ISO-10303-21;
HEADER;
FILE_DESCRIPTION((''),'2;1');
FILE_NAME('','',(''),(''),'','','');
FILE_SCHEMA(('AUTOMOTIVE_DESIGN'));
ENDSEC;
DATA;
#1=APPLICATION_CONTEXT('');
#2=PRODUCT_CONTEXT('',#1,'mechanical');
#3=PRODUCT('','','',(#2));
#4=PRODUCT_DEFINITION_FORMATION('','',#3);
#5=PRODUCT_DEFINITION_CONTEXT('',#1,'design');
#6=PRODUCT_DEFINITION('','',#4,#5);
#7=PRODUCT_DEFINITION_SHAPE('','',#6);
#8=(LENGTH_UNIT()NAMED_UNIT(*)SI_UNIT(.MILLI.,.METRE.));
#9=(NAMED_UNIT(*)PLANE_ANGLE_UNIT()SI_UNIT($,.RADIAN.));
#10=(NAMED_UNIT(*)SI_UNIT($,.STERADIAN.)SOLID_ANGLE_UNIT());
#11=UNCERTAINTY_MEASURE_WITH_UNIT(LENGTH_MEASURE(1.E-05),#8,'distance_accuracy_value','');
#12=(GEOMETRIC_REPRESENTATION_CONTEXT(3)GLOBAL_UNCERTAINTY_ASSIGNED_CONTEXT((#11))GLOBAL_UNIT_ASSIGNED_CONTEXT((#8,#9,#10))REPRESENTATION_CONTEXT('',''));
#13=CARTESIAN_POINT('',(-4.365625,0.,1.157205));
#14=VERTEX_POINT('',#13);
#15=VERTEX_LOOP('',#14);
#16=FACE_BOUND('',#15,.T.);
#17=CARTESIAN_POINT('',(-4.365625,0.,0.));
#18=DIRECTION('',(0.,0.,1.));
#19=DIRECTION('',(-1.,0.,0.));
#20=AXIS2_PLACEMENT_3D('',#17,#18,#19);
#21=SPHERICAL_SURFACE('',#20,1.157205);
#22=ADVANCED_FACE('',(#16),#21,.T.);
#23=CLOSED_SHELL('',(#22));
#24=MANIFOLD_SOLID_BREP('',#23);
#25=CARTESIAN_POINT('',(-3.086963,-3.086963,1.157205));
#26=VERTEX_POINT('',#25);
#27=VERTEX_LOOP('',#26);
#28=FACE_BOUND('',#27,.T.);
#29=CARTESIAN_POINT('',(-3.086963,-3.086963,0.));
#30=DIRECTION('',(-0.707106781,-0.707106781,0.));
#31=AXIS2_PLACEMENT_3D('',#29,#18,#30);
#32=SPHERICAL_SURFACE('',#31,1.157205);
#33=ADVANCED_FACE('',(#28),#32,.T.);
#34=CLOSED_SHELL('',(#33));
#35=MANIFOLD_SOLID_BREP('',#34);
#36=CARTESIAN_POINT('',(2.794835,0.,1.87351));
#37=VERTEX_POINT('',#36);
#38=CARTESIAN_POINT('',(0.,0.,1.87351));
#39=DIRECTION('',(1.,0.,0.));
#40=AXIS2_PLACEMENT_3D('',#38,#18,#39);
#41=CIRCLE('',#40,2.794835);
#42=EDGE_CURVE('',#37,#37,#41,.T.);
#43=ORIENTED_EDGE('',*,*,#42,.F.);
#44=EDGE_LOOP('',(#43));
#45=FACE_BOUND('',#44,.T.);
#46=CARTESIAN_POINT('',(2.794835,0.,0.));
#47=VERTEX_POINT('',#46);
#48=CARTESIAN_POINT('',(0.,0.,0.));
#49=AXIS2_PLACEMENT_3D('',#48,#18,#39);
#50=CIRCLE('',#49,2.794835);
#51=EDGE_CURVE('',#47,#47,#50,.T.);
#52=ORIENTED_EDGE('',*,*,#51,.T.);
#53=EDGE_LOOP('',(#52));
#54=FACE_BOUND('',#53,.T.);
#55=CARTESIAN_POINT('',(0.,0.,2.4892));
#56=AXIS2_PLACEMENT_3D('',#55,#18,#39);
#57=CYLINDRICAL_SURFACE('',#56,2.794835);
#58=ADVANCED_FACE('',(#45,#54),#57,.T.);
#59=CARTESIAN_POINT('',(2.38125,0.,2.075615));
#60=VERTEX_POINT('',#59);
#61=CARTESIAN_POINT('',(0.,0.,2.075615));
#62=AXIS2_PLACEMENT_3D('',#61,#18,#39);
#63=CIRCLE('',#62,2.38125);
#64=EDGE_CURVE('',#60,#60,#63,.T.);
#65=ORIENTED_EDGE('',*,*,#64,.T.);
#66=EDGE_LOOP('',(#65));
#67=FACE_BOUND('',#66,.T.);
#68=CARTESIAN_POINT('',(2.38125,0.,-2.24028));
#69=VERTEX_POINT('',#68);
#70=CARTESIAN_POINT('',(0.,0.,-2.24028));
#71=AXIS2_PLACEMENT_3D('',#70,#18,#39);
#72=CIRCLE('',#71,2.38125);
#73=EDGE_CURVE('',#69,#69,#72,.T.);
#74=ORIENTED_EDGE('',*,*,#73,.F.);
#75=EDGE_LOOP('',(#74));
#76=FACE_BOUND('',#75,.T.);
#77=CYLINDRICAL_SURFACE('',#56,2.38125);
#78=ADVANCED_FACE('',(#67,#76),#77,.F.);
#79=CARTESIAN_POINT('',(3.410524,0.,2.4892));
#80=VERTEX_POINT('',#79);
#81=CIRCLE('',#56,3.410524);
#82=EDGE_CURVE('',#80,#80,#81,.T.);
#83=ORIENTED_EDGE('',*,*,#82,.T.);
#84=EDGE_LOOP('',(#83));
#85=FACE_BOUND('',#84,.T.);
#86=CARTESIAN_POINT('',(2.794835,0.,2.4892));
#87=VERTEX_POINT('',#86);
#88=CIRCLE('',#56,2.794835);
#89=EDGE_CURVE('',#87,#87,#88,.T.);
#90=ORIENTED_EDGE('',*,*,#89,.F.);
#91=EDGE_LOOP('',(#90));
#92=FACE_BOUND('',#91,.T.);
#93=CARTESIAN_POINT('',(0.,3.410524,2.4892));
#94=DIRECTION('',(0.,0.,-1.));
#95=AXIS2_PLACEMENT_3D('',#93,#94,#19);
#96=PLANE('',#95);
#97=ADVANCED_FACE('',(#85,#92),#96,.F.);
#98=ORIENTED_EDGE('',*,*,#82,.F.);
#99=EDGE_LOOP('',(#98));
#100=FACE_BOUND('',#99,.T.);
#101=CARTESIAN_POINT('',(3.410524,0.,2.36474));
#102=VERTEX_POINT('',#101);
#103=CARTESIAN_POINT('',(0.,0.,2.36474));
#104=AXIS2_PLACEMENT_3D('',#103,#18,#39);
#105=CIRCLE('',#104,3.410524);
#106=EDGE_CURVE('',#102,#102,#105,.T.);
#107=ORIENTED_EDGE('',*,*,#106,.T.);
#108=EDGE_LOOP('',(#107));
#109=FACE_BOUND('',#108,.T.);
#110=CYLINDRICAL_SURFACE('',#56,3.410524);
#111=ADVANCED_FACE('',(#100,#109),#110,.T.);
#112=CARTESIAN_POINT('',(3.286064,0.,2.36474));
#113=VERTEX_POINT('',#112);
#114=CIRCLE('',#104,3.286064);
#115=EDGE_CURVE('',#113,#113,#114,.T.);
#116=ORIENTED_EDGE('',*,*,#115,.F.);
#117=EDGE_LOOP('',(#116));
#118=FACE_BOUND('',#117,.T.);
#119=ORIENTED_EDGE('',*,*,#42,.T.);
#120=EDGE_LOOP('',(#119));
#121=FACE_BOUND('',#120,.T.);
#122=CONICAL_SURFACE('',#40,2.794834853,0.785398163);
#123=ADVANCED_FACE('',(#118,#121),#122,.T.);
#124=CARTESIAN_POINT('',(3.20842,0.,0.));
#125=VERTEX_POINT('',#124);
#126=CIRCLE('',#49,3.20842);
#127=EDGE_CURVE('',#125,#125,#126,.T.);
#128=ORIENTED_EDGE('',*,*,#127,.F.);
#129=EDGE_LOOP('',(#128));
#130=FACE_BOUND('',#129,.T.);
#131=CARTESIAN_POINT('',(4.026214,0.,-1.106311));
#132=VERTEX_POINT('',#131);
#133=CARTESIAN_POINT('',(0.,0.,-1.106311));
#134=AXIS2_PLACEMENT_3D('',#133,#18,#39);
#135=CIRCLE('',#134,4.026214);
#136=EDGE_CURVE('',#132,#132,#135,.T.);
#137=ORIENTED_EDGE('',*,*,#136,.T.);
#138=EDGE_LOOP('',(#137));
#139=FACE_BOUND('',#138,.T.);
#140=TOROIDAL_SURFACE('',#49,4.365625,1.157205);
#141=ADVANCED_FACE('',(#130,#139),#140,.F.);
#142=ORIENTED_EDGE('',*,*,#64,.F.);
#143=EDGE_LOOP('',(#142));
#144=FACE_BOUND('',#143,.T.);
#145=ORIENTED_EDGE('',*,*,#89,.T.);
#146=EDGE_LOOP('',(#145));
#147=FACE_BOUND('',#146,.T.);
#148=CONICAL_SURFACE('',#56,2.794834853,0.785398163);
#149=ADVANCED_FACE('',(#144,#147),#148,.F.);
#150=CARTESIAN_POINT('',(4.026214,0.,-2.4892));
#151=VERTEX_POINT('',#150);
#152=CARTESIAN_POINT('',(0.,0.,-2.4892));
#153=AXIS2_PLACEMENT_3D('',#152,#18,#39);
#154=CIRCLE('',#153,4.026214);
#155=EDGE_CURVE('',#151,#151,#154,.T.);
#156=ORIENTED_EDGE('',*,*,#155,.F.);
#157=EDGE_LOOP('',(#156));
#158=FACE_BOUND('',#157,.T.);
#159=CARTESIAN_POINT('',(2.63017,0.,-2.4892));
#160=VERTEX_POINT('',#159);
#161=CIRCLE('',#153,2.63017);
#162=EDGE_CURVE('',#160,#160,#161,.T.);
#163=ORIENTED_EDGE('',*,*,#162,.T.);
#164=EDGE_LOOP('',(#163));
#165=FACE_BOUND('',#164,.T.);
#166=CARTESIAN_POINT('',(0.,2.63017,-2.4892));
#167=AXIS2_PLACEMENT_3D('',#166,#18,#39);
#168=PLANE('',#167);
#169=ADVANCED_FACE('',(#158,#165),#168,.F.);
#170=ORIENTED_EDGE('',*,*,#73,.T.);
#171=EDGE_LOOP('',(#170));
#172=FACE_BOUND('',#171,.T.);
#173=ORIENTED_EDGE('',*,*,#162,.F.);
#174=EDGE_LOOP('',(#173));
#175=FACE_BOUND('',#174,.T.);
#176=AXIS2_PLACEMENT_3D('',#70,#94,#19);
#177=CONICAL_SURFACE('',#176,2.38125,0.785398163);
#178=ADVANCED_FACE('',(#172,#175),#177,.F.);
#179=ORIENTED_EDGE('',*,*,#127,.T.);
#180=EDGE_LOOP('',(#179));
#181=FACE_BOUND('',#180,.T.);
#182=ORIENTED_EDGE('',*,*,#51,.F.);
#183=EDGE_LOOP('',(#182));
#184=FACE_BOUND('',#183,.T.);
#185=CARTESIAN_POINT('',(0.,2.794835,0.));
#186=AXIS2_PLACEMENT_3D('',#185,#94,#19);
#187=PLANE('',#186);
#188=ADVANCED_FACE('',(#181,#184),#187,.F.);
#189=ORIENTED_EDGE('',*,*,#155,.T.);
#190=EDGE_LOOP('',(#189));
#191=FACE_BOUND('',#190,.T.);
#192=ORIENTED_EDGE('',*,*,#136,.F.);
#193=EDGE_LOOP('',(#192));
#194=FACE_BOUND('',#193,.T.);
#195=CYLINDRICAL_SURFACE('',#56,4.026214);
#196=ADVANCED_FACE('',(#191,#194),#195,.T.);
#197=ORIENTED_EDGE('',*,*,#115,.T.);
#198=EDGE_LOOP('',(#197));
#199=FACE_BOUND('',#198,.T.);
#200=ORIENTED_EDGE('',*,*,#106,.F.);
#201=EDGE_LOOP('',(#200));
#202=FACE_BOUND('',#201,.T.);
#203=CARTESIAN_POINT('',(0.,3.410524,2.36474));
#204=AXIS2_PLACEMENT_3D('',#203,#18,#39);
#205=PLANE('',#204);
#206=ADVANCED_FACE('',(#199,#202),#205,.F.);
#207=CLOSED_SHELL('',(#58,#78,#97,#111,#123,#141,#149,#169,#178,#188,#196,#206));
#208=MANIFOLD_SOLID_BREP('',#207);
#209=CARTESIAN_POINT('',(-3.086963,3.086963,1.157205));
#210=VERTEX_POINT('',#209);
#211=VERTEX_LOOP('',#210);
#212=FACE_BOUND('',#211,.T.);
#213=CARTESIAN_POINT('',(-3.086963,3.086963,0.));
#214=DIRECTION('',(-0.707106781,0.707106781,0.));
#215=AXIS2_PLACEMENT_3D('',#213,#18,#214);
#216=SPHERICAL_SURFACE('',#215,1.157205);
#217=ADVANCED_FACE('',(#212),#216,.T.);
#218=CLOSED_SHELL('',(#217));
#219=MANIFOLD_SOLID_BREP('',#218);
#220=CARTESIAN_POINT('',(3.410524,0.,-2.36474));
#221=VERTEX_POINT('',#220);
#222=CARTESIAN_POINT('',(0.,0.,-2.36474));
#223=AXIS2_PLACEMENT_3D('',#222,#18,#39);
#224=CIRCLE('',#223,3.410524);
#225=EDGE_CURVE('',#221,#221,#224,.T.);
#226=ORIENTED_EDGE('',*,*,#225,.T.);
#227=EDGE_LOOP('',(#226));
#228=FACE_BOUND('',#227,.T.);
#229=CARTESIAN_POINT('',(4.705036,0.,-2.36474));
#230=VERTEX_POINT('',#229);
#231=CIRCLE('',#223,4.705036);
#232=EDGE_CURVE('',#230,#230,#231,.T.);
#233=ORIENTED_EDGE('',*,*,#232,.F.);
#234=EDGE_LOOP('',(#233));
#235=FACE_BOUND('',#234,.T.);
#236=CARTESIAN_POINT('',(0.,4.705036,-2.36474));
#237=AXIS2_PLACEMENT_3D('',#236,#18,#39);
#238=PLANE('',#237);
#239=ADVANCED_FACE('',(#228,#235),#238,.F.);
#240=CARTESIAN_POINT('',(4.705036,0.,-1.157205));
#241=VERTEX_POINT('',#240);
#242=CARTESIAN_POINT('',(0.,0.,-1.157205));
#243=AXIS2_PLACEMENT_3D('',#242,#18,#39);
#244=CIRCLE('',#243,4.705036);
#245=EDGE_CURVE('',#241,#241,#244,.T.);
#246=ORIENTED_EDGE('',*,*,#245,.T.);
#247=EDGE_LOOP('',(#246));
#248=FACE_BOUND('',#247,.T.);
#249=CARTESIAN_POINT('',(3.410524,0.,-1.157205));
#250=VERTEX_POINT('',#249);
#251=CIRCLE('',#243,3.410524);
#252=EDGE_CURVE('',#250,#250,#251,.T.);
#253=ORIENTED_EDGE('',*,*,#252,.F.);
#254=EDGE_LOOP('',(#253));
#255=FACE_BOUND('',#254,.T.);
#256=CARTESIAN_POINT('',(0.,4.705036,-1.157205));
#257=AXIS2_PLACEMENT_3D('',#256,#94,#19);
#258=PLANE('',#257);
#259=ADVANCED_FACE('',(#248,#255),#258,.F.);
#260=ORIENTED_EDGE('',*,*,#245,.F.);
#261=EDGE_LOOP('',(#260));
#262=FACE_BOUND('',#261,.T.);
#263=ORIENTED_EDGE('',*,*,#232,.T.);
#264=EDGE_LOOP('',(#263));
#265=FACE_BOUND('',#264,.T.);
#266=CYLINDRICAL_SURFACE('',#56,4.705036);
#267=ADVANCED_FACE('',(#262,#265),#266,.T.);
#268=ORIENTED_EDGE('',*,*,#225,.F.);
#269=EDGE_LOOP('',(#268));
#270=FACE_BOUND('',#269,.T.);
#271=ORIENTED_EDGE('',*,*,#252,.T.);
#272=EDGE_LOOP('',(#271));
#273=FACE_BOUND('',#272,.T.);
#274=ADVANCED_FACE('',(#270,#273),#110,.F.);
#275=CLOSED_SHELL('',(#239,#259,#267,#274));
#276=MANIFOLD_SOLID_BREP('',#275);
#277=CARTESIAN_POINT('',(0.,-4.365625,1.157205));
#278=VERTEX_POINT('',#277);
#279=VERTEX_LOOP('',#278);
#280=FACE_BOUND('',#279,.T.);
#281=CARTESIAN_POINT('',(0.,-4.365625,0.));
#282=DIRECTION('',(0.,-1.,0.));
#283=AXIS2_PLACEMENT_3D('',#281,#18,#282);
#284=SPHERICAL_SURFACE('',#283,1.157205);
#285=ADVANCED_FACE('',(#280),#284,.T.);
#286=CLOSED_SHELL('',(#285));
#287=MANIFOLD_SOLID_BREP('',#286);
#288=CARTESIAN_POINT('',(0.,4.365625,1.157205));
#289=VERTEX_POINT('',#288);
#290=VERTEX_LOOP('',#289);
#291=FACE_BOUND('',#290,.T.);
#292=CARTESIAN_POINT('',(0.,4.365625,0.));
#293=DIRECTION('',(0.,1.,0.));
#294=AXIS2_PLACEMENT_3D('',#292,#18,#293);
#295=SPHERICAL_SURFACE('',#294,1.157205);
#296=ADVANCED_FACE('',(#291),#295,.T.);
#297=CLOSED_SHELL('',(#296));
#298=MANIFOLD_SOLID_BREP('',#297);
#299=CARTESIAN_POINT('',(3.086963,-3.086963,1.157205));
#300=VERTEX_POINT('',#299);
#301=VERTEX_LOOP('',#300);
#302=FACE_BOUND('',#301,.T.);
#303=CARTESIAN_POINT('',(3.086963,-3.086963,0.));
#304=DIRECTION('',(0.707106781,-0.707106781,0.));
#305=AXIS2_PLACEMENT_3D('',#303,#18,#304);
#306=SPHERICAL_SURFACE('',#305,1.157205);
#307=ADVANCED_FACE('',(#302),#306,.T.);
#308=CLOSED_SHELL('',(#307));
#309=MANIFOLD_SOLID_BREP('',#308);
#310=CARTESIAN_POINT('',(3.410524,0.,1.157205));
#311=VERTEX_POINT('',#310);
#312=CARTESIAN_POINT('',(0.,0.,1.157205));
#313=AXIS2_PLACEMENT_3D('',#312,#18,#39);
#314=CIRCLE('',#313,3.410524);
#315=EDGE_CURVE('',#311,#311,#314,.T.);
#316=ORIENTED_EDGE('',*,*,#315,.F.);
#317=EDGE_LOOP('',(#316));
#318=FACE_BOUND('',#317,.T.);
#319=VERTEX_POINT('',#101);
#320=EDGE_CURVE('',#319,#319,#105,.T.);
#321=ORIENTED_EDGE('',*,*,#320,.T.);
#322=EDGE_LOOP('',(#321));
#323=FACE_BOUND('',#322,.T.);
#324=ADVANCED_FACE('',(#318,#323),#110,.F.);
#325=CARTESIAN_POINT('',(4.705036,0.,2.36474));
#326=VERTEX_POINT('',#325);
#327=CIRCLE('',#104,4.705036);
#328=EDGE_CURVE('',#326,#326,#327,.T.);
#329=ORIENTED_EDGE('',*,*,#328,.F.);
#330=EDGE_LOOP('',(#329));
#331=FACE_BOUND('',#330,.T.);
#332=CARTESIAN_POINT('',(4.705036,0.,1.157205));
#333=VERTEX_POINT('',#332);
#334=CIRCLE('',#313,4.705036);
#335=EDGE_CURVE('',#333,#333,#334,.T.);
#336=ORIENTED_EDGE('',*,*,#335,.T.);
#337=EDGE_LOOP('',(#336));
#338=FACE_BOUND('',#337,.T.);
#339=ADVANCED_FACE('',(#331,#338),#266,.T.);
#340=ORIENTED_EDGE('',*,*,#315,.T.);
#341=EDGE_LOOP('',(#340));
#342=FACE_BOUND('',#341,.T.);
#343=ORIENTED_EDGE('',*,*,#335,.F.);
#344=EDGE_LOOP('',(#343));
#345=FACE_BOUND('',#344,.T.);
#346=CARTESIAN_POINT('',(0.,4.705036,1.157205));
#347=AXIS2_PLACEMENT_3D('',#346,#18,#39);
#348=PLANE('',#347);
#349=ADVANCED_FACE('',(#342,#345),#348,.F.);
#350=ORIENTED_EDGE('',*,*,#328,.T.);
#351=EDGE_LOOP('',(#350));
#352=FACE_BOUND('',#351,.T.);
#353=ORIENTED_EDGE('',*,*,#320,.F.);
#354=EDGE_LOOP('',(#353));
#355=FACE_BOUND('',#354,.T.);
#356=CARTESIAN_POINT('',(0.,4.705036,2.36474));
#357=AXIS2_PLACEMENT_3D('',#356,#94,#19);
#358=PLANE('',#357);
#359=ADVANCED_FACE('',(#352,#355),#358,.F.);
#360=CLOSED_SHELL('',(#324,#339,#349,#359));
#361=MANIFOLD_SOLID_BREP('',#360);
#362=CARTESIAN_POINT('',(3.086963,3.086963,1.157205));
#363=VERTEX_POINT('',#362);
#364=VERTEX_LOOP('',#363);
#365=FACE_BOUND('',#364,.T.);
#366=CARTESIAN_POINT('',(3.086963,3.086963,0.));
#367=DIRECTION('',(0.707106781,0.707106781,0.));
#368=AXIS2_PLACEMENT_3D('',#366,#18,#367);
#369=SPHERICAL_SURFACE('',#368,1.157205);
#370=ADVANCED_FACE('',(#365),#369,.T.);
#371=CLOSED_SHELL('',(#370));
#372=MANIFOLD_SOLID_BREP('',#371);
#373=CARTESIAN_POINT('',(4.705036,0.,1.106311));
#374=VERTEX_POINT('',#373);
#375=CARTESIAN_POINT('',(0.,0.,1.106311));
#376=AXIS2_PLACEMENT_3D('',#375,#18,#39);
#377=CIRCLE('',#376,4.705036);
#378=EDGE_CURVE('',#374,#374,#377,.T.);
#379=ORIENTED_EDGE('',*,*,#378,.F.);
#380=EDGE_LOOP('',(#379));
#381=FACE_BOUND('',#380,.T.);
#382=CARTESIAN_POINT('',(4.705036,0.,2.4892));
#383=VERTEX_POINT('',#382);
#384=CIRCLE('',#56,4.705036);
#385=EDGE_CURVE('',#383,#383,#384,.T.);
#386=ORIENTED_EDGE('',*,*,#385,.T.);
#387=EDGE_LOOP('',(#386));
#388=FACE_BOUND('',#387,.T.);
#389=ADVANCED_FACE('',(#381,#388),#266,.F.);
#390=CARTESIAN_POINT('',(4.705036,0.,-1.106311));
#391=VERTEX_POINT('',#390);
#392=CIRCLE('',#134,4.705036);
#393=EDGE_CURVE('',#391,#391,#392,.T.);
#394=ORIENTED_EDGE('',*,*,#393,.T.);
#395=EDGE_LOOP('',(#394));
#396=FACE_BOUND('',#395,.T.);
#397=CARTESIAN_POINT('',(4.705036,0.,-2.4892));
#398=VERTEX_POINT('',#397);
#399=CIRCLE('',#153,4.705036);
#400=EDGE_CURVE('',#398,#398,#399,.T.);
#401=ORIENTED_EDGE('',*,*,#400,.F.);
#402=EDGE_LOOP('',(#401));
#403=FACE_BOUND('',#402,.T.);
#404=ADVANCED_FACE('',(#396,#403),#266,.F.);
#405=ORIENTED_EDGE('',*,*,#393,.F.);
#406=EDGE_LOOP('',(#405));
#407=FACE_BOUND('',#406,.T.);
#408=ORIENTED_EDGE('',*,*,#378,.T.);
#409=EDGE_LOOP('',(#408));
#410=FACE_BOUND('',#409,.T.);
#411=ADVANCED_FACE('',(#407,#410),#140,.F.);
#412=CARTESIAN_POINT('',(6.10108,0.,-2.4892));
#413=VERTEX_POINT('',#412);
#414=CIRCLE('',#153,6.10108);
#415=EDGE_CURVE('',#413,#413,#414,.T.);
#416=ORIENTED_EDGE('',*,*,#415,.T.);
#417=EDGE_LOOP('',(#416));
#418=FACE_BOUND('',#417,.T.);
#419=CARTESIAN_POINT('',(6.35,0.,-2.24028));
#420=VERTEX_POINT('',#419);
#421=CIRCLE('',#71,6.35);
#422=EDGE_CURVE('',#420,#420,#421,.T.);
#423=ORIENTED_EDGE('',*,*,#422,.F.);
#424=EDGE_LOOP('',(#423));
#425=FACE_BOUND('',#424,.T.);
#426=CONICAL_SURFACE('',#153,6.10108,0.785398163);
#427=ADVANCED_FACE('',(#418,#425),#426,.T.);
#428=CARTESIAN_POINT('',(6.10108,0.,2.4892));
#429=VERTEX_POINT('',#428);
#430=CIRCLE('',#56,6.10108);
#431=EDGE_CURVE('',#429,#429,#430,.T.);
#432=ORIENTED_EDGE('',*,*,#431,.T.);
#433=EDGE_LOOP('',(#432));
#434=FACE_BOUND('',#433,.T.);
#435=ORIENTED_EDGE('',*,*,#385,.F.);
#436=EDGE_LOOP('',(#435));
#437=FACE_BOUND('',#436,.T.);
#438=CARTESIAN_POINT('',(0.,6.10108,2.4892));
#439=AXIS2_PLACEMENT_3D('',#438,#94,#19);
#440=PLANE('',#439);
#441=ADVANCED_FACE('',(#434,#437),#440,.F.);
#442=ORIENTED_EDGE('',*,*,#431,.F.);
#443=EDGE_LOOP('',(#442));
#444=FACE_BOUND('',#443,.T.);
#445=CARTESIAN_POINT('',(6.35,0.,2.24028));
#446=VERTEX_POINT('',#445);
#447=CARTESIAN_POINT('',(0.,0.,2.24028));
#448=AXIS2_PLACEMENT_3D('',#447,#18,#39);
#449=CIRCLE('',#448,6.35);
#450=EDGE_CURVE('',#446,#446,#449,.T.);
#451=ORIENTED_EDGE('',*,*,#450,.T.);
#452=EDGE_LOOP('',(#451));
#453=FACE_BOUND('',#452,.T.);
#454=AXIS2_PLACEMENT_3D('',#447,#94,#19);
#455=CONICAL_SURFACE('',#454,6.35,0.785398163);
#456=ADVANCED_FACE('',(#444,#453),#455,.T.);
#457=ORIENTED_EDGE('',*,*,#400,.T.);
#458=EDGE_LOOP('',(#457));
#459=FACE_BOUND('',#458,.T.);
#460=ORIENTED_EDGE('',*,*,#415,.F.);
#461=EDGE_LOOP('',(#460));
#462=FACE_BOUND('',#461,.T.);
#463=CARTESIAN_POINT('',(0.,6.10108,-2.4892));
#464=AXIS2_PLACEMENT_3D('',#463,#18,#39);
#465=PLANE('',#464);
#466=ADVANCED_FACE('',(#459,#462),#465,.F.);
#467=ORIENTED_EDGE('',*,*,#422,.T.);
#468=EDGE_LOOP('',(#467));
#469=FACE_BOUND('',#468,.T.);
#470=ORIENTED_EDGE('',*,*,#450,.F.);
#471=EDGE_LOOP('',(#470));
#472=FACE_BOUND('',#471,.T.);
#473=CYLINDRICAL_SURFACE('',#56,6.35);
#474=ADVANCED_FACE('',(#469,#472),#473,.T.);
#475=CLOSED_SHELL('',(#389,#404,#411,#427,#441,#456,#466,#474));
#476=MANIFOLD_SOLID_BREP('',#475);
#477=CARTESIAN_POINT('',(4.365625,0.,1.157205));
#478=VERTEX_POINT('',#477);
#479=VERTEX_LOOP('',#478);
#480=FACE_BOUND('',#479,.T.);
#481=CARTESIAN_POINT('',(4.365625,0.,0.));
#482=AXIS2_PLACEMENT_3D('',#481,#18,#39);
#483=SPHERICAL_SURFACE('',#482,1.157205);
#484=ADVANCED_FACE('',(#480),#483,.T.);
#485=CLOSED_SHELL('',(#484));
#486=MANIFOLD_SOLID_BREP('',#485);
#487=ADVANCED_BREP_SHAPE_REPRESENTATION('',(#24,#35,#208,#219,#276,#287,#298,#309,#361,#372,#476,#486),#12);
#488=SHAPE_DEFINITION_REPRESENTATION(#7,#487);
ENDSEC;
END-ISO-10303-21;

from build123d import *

# Parameters (mm, degrees)
CIRPATTERN1_COUNT = 8
SKETCH5_W         = 1.207534705
SKETCH5_H         = 1.294511557


with BuildPart() as part:
    # Sketch1 → Revolve1 (revolve)
    with BuildSketch(Plane(origin=(0, 0, 0), x_dir=(0, 0, -1), z_dir=(1, 0, 0))):
        with BuildLine():
            Line((2.24028, 6.35), (-2.24028, 6.35))
            Line((-2.24028, 6.35), (-2.4892, 6.10108))
            Line((-2.4892, 6.10108), (-2.4892, 4.705035989))
            Line((-2.4892, 4.705035989), (-1.106311111, 4.705035989))
            ThreePointArc((-1.106311111, 4.705035989), (0, 5.522830295), (1.106311111, 4.705035989))
            Line((1.106311111, 4.705035989), (2.4892, 4.705035989))
            Line((2.4892, 4.705035989), (2.4892, 6.10108))
            Line((2.4892, 6.10108), (2.24028, 6.35))
        make_face()
    revolve(axis=Axis((0, 0, 2.4892), (0, 0, -1)))


with BuildPart() as body_2:
    # Sketch3 → Revolve3 (revolve)
    with BuildSketch(Plane(origin=(0, 0, 0), x_dir=(0, 0, -1), z_dir=(1, 0, 0))):
        with BuildLine():
            Line((-2.36474, 3.286064432), (-1.873510421, 2.794834853))
            Line((-1.873510421, 2.794834853), (0, 2.794834853))
            Line((0, 2.794834853), (0, 3.208419705))
            ThreePointArc((0, 3.208419705), (0.687879314, 3.435062727), (1.106311111, 4.026214011))
            Line((1.106311111, 4.026214011), (2.4892, 4.026214011))
            Line((2.4892, 4.026214011), (2.4892, 2.63017))
            Line((2.4892, 2.63017), (2.24028, 2.38125))
            Line((2.24028, 2.38125), (-2.075615147, 2.38125))
            Line((-2.075615147, 2.38125), (-2.4892, 2.794834853))
            Line((-2.4892, 2.794834853), (-2.4892, 3.410524432))
            Line((-2.4892, 3.410524432), (-2.36474, 3.410524432))
            Line((-2.36474, 3.410524432), (-2.36474, 3.286064432))
        make_face()
    revolve(axis=Axis((0, 0, 2.4892), (0, 0, -1)))


with BuildPart() as body_3:
    # Sketch4 → Revolve4 (revolve)
    with BuildSketch(Plane(origin=(0, 0, 0), x_dir=(0, 0, -1), z_dir=(1, 0, 0))):
        with BuildLine():
            Line((-1.157205295, 4.365625), (1.157205295, 4.365625))
            ThreePointArc((1.157205295, 4.365625), (0, 5.522830295), (-1.157205295, 4.365625))
        make_face()
    revolve(axis=Axis((0, 4.365625, 1.157205295), (0, 0, -1)))


with BuildPart() as cirpattern1_1:
    # CirPattern1: pattern copy
    add(body_3.part.rotate(Axis((0, 0, -2.4892), (0, 0, 1)), 1 * 360 / CIRPATTERN1_COUNT))


with BuildPart() as cirpattern1_2:
    # CirPattern1: pattern copy
    add(body_3.part.rotate(Axis((0, 0, -2.4892), (0, 0, 1)), 2 * 360 / CIRPATTERN1_COUNT))


with BuildPart() as cirpattern1_3:
    # CirPattern1: pattern copy
    add(body_3.part.rotate(Axis((0, 0, -2.4892), (0, 0, 1)), 3 * 360 / CIRPATTERN1_COUNT))


with BuildPart() as cirpattern1_4:
    # CirPattern1: pattern copy
    add(body_3.part.rotate(Axis((0, 0, -2.4892), (0, 0, 1)), 4 * 360 / CIRPATTERN1_COUNT))


with BuildPart() as cirpattern1_5:
    # CirPattern1: pattern copy
    add(body_3.part.rotate(Axis((0, 0, -2.4892), (0, 0, 1)), 5 * 360 / CIRPATTERN1_COUNT))


with BuildPart() as cirpattern1_6:
    # CirPattern1: pattern copy
    add(body_3.part.rotate(Axis((0, 0, -2.4892), (0, 0, 1)), 6 * 360 / CIRPATTERN1_COUNT))


with BuildPart() as cirpattern1_7:
    # CirPattern1: pattern copy
    add(body_3.part.rotate(Axis((0, 0, -2.4892), (0, 0, 1)), 7 * 360 / CIRPATTERN1_COUNT))


with BuildPart() as body_11:
    # Sketch5 → Revolve5 (revolve)
    with BuildSketch(Plane(origin=(0, 0, 0), x_dir=(0, 0, -1), z_dir=(1, 0, 0))):
        with Locations((-1.760972648, 4.057780211)):
            Rectangle(SKETCH5_W, SKETCH5_H)
        with Locations((1.760972648, 4.057780211)):
            Rectangle(SKETCH5_W, SKETCH5_H)
    revolve(axis=Axis((0, 0, 2.4892), (0, 0, -1)))


solid = Compound([part.part, body_2.part, body_3.part, cirpattern1_1.part, cirpattern1_2.part, cirpattern1_3.part, cirpattern1_4.part, cirpattern1_5.part, cirpattern1_6.part, cirpattern1_7.part, body_11.part])
